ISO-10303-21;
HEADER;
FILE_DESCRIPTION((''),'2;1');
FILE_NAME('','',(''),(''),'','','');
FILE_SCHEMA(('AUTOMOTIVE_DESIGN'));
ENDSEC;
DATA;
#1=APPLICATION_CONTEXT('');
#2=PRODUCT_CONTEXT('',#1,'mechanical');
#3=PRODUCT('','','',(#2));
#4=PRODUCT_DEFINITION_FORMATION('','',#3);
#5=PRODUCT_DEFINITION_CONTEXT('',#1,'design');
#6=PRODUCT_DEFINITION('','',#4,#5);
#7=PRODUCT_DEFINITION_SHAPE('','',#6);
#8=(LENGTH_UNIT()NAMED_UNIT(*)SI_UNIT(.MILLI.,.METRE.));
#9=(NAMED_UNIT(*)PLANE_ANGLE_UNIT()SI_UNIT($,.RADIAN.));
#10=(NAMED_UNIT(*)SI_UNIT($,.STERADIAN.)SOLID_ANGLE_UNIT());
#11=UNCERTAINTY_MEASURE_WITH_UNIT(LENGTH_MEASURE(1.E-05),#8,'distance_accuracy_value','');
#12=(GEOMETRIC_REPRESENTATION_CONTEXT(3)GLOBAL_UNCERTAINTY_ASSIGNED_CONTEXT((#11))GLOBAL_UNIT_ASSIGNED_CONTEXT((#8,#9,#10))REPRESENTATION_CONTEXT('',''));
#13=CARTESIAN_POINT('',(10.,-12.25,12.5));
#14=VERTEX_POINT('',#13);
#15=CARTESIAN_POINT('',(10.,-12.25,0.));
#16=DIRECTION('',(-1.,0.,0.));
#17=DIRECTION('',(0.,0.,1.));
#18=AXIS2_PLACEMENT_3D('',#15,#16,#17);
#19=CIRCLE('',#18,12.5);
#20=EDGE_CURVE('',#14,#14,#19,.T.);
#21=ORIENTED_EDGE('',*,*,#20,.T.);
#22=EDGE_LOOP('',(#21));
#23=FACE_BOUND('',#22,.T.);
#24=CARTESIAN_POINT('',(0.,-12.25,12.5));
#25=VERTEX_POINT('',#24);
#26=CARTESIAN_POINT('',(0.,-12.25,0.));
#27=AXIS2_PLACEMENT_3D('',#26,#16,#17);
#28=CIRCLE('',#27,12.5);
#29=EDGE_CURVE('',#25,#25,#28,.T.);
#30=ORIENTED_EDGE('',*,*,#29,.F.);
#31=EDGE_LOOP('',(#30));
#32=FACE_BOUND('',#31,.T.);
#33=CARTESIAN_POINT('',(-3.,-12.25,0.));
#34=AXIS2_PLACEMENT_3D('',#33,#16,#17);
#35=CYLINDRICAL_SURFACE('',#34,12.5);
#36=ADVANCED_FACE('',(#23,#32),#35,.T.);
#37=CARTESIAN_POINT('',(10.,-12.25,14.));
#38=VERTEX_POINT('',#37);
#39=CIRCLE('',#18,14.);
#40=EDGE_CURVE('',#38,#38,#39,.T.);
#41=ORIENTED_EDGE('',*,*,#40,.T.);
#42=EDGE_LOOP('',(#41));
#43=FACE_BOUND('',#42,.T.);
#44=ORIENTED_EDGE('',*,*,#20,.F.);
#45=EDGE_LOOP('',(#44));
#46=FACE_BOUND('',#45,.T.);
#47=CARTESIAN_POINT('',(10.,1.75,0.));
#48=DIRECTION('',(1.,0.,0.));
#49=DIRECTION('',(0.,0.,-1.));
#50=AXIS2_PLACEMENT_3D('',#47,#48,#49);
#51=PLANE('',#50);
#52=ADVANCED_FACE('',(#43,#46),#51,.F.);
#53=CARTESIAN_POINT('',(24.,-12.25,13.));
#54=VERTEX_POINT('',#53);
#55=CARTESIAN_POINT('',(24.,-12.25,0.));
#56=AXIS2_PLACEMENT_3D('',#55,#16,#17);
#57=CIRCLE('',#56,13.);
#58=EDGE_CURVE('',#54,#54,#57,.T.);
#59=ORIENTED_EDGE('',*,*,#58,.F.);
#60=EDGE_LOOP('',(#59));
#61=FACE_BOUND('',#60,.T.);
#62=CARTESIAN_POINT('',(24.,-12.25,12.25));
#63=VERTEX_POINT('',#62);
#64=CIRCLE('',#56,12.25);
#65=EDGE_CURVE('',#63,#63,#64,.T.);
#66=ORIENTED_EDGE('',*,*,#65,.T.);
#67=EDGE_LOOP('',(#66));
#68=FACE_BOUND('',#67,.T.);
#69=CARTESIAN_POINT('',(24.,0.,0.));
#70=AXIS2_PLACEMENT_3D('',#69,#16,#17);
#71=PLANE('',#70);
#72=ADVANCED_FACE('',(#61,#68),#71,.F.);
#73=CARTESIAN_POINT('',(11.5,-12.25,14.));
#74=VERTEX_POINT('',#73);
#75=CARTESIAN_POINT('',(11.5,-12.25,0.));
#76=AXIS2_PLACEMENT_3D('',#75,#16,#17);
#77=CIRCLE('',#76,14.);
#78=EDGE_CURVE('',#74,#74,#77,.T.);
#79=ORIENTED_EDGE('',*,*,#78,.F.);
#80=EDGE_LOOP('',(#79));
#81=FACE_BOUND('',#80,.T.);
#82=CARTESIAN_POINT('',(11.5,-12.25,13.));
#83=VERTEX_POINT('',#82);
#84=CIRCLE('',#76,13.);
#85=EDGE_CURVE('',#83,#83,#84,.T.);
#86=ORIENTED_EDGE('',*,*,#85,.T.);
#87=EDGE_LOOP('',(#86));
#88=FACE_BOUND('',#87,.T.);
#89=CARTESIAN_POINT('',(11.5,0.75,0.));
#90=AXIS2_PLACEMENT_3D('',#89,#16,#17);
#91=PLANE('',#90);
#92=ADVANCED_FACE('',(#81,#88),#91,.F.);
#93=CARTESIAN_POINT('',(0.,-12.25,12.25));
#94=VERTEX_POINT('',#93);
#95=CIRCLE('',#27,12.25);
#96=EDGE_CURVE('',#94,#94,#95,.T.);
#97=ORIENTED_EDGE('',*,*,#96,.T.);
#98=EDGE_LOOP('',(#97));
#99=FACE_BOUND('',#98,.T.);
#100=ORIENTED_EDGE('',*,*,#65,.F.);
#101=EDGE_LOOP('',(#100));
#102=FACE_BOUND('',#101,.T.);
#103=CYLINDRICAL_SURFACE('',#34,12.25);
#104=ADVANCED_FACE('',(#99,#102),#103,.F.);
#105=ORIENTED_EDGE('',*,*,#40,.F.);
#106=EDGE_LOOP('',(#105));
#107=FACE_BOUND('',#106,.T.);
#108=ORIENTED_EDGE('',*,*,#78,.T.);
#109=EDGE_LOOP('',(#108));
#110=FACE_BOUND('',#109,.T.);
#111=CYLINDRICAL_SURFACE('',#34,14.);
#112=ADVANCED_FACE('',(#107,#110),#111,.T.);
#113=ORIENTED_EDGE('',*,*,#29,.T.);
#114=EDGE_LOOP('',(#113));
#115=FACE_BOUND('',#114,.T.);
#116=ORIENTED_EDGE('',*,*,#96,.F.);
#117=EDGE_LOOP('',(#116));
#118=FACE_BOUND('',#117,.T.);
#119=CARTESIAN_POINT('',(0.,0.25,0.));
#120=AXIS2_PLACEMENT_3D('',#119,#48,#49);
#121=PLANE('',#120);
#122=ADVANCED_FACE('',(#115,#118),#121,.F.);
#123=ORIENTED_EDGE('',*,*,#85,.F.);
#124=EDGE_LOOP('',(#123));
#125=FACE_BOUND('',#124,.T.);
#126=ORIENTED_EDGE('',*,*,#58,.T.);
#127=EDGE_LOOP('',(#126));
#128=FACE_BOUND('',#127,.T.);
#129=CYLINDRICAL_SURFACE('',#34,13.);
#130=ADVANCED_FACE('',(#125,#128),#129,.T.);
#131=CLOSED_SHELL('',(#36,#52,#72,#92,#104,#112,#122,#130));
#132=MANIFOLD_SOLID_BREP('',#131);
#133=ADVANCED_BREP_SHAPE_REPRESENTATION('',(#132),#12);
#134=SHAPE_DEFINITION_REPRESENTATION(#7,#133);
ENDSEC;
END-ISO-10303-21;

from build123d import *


with BuildPart() as part:
    # Esquisse1 → Révolution1 (revolve)
    with BuildSketch(Plane.XY, mode=Mode.PRIVATE) as r_volution1_sk:
        Polygon((0, 0), (24, 0), (24, 0.75), (11.5, 0.75), (11.5, 1.75), (10, 1.75), (10, 0.25), (0, 0.25), align=None)
    revolve(r_volution1_sk.sketch.rotate(Axis((-3, -12.25, 0), (1, 0, 0)), 90), axis=Axis((-3, -12.25, 0), (1, 0, 0)))  # turned: the seam where the file's is


solid = part.part
